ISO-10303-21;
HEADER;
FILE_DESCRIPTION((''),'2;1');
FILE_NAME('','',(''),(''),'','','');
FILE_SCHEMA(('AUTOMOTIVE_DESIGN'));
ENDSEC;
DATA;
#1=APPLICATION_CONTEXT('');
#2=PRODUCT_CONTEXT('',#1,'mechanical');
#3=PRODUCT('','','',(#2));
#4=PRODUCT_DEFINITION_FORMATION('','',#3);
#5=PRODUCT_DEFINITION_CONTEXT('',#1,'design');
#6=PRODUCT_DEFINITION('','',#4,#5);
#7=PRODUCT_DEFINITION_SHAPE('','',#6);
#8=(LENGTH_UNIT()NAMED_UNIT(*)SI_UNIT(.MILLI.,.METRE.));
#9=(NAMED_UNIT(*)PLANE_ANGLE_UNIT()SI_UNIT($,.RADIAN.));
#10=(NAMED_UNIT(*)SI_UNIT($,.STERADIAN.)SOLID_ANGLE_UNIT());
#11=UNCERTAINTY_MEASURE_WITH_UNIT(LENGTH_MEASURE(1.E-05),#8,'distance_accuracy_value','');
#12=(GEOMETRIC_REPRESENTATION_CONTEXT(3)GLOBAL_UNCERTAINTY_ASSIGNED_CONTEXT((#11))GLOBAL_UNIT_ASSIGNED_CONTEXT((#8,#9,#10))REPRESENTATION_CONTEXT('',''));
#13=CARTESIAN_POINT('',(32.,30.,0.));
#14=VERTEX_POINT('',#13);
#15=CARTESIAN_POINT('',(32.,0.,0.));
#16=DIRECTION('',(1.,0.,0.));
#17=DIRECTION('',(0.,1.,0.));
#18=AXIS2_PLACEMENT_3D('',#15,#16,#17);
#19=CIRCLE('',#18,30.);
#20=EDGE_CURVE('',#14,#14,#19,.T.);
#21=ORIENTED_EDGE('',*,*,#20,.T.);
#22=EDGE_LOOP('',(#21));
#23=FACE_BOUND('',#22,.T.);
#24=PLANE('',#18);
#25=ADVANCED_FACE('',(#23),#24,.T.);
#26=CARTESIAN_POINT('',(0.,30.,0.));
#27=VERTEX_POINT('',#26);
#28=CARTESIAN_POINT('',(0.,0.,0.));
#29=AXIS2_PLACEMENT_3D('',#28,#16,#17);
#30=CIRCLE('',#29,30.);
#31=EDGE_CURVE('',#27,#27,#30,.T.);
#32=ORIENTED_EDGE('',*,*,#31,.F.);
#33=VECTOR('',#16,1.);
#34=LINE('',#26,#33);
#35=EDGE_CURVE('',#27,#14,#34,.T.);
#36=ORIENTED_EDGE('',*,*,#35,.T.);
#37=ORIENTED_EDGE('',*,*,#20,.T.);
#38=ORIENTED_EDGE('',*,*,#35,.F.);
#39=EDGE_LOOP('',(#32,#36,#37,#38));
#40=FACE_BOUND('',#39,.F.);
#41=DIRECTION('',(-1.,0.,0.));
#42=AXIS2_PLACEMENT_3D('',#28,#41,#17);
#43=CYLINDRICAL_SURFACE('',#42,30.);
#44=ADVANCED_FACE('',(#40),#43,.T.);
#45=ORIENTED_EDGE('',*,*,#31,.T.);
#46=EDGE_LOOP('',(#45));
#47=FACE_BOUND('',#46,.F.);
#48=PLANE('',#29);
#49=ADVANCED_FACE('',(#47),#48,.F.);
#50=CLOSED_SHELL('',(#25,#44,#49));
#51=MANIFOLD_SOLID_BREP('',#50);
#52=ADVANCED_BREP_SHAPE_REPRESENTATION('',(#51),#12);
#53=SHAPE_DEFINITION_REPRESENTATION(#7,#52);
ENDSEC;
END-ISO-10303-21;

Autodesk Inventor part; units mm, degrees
ref_plane "YZ Plane" through (0, 0, 0) normal (1, 0, 0) x (0, 1, 0)
ref_plane "XZ Plane" through (0, 0, 0) normal (0, 1, 0) x (-1, 0, 0)
ref_plane "XY Plane" through (0, 0, 0) normal (0, 0, 1) x (1, 0, 0)
sketch "Sketch1" plane through (0, 0, 0) normal (1, 0, 0) x (0, 1, 0)
  circle A0 centre (0, 0) radius 30
  dimension "d0" = 60
extrude "Extrusion1" add sketch "Sketch1" along normal blind 32
properties part number "60mm Wheel"
